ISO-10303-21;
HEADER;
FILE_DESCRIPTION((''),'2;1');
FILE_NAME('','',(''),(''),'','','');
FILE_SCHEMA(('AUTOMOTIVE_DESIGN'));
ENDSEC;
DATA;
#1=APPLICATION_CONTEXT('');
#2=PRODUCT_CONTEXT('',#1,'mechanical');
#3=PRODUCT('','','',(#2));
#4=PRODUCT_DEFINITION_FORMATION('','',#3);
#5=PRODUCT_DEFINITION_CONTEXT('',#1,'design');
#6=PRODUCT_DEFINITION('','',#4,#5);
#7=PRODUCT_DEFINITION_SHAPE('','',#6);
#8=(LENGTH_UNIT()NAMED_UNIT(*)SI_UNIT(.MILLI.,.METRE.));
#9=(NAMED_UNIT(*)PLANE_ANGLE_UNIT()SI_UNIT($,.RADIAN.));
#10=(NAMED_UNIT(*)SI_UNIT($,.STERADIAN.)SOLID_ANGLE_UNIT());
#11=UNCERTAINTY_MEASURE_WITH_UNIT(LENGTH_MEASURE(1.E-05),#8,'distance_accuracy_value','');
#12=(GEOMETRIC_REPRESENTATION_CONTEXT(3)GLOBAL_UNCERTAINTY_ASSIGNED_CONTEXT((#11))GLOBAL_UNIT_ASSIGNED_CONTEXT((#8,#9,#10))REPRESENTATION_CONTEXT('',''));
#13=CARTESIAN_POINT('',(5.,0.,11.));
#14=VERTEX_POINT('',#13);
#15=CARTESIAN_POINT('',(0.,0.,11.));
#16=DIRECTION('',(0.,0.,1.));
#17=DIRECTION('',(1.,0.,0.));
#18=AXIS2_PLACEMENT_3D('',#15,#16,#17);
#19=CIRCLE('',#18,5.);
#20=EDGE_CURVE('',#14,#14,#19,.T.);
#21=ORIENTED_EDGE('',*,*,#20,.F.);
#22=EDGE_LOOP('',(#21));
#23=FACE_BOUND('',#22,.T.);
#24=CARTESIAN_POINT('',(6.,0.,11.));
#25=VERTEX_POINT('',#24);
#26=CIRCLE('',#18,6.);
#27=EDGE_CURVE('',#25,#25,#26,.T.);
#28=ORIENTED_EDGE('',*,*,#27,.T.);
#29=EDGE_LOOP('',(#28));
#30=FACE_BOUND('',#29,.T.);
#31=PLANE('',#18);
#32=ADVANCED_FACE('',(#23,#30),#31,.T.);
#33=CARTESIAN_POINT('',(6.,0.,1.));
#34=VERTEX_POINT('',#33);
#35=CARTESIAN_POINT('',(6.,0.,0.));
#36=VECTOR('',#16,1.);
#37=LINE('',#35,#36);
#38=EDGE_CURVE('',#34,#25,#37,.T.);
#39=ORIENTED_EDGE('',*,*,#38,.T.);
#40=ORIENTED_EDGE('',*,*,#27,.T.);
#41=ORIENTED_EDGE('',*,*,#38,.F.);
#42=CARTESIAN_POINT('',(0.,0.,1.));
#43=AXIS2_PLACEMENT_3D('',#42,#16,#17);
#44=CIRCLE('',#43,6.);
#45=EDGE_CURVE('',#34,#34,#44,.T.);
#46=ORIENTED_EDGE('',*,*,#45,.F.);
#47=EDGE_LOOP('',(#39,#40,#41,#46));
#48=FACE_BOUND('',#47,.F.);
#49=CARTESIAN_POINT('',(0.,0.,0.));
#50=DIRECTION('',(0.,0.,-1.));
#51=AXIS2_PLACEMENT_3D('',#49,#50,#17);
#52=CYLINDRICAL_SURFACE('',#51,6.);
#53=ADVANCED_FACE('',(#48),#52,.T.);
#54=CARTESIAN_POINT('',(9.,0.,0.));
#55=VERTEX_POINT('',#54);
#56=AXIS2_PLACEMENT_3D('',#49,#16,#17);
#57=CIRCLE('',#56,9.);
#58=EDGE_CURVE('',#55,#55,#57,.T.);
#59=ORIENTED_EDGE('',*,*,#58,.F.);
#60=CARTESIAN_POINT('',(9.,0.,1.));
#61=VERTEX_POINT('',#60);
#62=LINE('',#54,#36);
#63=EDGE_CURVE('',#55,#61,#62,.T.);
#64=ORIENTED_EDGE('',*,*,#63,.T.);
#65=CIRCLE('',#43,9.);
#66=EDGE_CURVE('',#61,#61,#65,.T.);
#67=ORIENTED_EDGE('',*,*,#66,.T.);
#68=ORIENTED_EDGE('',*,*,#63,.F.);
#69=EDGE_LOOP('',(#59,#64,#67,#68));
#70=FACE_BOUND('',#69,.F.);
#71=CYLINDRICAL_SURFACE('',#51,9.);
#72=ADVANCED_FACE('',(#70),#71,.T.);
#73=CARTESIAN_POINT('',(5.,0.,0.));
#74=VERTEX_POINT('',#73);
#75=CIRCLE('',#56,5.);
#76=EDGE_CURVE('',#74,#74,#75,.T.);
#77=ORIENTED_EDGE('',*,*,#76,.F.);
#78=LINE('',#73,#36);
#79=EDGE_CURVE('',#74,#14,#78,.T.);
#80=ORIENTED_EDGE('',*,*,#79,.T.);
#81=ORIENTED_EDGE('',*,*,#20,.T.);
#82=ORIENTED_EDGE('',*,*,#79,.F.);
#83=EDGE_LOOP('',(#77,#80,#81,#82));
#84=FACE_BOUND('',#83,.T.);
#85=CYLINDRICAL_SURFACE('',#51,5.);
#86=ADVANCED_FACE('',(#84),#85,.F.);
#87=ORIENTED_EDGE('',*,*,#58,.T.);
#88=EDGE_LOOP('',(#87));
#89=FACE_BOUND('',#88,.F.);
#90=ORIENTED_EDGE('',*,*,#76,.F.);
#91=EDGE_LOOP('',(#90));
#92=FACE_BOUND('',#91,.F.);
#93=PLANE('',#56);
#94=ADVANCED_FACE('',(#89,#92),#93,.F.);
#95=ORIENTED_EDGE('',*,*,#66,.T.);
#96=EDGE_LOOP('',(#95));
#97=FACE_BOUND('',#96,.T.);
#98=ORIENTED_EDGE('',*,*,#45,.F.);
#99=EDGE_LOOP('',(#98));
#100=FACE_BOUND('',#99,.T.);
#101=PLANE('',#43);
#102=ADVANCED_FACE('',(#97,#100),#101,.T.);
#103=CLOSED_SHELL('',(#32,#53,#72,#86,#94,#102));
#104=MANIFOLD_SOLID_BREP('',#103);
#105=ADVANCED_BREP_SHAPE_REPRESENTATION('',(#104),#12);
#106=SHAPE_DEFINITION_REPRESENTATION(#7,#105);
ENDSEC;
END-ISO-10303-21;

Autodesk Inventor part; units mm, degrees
ref_plane "YZ Plane" through (0, 0, 0) normal (1, 0, 0) x (0, 1, 0)
ref_plane "XZ Plane" through (0, 0, 0) normal (0, 1, 0) x (-1, 0, 0)
ref_plane "XY Plane" through (0, 0, 0) normal (0, 0, 1) x (1, 0, 0)
sketch "スケッチ1" plane through (0, 0, 0) normal (0, 0, 1) x (1, 0, 0)
  circle A0 centre (0, 0) radius 5
  circle A1 centre (0, 0) radius 6
  circle A2 centre (0, 0) radius 9
  dimension "d0" = 10
  dimension "d1" = 12
  dimension "d2" = 18
extrude "押し出し1" add sketch "スケッチ1" along normal blind 1 contours A2
extrude "押し出し2" add sketch "スケッチ1" along normal blind 11 contours A1
properties part number "オイレスドライメットFd10D12L11" material "アセタール樹脂、黒"
